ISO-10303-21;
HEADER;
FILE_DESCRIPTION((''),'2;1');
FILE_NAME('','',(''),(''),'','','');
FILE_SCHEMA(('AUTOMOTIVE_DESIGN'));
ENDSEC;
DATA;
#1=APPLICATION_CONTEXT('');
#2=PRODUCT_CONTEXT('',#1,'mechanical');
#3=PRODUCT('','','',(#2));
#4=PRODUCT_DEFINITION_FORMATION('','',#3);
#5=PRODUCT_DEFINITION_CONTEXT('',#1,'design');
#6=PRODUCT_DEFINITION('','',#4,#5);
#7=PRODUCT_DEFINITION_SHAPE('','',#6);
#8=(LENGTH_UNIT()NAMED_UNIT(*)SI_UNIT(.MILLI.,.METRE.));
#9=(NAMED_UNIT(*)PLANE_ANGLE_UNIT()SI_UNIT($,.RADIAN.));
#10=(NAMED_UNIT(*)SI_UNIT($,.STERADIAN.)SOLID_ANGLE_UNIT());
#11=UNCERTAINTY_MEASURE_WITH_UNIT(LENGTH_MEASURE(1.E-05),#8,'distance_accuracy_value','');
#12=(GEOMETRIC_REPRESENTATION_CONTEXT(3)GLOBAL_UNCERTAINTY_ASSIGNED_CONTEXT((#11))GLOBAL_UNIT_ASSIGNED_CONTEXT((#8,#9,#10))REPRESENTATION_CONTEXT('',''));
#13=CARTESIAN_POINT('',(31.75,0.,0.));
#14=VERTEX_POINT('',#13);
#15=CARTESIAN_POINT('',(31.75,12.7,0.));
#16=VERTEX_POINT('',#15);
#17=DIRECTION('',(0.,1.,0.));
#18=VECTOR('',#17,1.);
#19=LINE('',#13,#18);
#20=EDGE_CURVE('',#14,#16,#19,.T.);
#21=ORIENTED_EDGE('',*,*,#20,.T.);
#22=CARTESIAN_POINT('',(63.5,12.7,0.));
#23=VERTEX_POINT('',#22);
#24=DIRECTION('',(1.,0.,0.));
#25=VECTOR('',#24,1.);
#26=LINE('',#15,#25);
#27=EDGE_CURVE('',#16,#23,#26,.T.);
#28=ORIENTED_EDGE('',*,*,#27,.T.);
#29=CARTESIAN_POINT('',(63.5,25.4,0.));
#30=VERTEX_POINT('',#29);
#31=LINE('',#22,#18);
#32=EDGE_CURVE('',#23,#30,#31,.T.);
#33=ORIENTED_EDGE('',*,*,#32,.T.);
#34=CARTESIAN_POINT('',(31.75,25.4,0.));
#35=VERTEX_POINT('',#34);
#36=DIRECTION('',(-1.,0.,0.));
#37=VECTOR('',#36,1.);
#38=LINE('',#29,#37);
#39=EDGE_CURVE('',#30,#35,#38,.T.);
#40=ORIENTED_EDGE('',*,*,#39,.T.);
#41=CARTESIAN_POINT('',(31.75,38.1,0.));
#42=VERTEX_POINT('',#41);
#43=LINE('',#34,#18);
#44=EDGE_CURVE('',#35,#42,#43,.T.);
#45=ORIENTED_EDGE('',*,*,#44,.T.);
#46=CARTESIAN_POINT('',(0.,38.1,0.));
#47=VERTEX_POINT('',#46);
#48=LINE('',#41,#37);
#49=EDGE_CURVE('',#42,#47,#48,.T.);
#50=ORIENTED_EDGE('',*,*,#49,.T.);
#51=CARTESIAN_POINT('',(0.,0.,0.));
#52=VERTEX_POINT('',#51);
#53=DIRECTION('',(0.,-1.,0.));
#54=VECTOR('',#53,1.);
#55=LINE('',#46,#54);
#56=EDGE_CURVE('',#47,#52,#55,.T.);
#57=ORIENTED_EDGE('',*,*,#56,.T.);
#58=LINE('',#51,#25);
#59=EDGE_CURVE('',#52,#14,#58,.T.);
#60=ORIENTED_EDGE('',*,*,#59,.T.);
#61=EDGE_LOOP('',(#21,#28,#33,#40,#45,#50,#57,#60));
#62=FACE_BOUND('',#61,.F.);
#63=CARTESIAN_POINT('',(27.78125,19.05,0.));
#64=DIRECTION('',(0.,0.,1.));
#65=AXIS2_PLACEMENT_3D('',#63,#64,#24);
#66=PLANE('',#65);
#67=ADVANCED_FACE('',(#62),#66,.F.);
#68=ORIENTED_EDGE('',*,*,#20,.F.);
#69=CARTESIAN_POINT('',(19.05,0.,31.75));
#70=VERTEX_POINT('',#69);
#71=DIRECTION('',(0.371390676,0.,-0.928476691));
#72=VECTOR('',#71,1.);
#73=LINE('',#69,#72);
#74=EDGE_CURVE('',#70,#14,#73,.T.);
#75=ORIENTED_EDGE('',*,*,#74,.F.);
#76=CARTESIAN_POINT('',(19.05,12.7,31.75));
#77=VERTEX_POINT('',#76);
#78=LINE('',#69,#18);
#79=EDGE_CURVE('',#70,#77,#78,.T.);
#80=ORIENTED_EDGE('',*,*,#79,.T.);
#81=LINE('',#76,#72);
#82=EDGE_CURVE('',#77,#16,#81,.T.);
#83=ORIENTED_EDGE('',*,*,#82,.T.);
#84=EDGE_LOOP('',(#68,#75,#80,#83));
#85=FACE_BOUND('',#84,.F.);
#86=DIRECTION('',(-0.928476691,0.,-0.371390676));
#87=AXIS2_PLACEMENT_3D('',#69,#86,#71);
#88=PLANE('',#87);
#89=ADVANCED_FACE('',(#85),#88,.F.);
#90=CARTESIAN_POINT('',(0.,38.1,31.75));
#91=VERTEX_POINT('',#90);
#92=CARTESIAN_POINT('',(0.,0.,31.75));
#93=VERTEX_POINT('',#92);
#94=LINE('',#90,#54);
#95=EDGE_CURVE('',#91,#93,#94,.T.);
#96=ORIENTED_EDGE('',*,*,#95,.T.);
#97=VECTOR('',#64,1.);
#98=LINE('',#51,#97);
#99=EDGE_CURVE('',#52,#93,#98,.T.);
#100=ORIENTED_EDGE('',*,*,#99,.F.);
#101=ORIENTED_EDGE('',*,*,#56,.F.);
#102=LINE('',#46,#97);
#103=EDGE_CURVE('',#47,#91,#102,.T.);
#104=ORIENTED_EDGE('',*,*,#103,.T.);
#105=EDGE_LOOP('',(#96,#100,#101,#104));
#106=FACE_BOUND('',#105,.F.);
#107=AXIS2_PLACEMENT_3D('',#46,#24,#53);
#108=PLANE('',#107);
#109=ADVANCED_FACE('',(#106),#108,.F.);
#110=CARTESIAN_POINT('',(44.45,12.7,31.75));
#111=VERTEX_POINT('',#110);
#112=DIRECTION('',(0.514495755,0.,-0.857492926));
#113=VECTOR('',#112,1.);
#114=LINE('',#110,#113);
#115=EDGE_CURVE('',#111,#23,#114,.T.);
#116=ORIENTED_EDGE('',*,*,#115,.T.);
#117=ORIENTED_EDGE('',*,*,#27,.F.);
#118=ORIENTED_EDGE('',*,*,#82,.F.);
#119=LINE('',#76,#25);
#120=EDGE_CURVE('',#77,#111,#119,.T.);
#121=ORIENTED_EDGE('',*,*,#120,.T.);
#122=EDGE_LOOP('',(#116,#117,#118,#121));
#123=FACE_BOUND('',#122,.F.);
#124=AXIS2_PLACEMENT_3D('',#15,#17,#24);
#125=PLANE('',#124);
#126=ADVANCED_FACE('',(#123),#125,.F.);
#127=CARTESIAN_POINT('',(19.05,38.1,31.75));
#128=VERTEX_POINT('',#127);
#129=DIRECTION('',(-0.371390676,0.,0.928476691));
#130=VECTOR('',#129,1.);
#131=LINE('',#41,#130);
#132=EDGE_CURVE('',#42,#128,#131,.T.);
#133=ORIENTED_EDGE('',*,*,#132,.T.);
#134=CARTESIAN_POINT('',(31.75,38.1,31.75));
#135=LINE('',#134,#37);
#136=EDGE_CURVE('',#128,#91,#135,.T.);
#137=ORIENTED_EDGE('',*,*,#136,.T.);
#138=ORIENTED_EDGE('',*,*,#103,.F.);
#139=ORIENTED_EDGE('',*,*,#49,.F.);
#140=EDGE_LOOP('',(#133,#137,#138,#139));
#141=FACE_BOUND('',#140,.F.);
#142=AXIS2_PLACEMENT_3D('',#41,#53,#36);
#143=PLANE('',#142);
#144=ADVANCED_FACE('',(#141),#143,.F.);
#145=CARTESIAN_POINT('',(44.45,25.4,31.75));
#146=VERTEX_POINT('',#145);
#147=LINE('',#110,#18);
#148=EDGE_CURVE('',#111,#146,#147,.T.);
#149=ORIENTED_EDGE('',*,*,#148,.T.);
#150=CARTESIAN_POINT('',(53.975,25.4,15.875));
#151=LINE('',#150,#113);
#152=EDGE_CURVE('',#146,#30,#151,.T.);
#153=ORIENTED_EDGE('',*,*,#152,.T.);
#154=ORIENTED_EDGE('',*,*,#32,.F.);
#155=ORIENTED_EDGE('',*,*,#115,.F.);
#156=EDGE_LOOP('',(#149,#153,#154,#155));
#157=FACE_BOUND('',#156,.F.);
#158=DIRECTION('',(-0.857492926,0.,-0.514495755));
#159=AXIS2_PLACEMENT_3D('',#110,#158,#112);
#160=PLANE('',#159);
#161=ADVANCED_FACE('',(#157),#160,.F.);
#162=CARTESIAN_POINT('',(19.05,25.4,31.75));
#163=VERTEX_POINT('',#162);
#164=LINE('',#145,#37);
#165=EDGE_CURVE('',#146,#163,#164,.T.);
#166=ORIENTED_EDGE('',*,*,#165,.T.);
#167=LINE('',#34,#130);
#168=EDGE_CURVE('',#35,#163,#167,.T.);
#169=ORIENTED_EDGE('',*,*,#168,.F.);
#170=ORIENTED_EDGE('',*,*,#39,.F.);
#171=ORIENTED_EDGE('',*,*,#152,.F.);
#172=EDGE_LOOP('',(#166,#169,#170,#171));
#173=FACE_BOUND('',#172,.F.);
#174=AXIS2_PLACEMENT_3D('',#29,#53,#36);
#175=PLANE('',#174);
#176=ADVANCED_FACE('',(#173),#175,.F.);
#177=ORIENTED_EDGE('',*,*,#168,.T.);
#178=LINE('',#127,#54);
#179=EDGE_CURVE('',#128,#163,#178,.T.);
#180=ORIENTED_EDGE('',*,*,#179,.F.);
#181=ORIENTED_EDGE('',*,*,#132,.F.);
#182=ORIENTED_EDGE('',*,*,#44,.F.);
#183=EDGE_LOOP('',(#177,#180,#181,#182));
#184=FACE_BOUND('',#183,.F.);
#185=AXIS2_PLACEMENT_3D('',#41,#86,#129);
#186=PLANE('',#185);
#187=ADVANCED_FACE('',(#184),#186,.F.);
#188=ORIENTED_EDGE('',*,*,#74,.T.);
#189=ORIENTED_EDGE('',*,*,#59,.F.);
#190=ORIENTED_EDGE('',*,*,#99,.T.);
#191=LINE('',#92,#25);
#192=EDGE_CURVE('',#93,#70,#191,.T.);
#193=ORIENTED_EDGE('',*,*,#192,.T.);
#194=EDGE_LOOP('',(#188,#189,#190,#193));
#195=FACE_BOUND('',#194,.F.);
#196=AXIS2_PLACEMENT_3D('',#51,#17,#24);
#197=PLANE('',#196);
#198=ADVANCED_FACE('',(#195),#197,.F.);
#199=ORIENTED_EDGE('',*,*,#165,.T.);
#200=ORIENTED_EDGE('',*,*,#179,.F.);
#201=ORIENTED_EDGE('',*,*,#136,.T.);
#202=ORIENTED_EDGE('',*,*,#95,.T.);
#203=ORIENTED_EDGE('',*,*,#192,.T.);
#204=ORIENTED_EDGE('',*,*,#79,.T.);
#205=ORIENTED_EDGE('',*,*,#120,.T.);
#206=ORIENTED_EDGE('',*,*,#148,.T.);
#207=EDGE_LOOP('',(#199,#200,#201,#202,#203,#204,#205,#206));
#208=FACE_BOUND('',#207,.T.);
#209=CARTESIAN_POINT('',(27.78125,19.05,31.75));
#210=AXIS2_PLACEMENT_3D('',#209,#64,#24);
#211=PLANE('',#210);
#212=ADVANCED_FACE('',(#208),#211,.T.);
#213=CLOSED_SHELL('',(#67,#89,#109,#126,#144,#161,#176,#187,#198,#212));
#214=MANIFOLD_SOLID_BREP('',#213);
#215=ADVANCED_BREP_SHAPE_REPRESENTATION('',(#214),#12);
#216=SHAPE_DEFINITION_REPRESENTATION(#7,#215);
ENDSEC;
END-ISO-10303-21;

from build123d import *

# Parameters (mm, degrees)
F1_DEPTH = 31.75
F3_DEPTH = 12.7
F5_DEPTH = 25.401
F7_DEPTH = 12.7


with BuildPart() as f1:
    # F0 (on Top) → F1 (new body)
    with BuildSketch(Plane.XY):
        Polygon((0, 38.1), (0, 0), (31.75, 0), (31.75, 12.7), (63.5, 12.7), (63.5, 25.4), (31.75, 25.4), (31.75, 38.1), align=None)
    extrude(amount=F1_DEPTH)

    # F2 (on face) → F3 (cut)
    with BuildSketch(Plane.XZ):
        Polygon((31.75, 31.75), (19.05, 31.75), (31.75, 0), align=None)
    extrude(amount=-F3_DEPTH, mode=Mode.SUBTRACT)

    # F4 (on face) → F5 (cut, through all)
    with BuildSketch(Plane.XZ.offset(-12.7)):
        Polygon((63.5, 31.75), (44.45, 31.75), (63.5, 0), align=None)
    extrude(amount=-F5_DEPTH, mode=Mode.SUBTRACT)

    # F6 (on face) → F7 (cut)
    with BuildSketch(Plane(origin=(0, 38.1, 0), x_dir=(-1, 0, 0), z_dir=(0, 1, 0))):
        Polygon((-31.75, 0), (-19.05, 31.75), (-31.75, 31.75), align=None)
    extrude(amount=-F7_DEPTH, mode=Mode.SUBTRACT)


solid = f1.part
